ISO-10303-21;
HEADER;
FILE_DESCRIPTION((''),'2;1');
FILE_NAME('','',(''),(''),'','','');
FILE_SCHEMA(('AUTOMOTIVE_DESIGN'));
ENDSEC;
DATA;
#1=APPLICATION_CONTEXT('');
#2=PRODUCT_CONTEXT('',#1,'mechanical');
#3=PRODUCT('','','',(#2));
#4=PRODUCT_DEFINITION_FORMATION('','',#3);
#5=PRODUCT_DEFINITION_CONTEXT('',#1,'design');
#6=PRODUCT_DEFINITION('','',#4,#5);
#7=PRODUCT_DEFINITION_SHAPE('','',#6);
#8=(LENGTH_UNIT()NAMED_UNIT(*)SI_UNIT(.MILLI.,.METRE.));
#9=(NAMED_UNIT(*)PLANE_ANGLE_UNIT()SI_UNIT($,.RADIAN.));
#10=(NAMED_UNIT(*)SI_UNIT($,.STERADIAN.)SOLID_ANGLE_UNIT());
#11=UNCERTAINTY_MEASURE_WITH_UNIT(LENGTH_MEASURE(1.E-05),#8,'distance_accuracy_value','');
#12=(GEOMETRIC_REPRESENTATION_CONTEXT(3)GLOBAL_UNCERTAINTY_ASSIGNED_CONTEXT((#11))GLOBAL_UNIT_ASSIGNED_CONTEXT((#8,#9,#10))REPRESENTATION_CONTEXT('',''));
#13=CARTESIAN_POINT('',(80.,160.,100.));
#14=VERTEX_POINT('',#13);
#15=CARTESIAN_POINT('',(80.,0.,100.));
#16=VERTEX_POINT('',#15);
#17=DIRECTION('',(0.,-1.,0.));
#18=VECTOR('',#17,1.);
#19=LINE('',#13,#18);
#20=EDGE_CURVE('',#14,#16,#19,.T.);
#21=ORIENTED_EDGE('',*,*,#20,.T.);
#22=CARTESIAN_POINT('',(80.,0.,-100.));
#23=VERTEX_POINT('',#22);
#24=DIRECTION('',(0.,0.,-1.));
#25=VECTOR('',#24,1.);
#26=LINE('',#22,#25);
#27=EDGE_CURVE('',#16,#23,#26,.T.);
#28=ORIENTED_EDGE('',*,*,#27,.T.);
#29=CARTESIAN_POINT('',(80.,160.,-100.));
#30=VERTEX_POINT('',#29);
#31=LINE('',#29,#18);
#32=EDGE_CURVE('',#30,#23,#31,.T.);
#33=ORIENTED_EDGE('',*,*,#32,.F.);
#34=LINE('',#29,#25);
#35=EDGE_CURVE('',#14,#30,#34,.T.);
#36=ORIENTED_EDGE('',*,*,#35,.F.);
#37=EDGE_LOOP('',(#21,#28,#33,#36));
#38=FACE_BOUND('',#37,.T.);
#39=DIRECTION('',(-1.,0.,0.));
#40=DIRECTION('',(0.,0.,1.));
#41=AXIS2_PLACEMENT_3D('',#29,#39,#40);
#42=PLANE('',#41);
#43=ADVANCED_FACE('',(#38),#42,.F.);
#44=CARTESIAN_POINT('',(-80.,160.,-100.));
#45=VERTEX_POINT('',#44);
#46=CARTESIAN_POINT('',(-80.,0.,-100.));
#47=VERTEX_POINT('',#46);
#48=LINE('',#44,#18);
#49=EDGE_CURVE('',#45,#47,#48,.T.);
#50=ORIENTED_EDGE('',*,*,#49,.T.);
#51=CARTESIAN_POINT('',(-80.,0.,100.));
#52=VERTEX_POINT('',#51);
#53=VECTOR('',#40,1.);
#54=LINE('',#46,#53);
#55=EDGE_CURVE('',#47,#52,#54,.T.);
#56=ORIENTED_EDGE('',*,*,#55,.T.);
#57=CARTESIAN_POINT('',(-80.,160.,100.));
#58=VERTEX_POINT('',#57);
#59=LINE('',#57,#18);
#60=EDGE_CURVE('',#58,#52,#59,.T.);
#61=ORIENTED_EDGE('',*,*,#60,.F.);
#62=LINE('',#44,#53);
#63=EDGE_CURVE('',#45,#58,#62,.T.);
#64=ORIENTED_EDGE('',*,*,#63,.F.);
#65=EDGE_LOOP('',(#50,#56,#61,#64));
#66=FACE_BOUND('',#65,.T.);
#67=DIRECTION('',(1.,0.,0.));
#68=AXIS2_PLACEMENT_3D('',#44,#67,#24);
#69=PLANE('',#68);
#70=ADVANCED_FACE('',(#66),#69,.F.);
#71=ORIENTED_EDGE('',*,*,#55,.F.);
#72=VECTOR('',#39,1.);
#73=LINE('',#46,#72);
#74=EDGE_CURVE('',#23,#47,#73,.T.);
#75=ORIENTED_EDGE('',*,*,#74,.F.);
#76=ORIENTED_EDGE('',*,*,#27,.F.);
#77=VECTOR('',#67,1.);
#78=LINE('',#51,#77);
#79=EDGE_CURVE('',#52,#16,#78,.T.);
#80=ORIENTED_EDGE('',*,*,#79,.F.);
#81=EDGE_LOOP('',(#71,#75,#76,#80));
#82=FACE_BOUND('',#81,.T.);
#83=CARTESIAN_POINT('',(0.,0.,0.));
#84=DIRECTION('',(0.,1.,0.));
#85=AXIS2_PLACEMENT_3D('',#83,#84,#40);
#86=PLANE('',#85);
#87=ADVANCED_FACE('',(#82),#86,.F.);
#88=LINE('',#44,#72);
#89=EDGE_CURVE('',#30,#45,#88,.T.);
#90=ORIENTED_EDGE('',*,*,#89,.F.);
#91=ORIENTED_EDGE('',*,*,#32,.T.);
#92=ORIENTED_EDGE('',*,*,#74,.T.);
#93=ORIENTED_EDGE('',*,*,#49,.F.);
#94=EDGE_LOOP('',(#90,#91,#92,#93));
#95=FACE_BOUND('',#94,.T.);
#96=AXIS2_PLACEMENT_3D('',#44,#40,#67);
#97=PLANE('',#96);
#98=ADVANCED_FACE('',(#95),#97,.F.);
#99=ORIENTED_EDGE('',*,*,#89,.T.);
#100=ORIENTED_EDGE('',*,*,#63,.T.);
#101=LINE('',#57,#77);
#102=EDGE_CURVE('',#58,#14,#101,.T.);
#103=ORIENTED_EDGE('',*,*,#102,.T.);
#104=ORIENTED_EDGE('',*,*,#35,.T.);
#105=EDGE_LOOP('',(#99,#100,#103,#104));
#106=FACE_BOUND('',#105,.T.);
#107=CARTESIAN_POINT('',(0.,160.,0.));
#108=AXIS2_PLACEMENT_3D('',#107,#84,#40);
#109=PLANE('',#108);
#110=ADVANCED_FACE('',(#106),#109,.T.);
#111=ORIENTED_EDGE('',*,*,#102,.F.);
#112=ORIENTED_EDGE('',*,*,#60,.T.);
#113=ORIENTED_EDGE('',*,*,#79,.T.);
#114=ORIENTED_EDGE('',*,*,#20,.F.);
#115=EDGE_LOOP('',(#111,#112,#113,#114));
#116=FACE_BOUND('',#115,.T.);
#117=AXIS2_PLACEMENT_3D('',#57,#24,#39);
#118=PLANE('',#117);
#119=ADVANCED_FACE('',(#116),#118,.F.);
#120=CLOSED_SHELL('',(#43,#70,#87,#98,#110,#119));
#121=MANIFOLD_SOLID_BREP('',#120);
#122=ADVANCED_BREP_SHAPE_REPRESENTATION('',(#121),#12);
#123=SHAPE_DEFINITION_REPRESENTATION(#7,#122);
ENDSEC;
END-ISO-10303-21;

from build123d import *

# Parameters (mm, degrees)
SKETCH_1_W        = 160
SKETCH_1_H        = 200
EXTRUDE_267_DEPTH = 160


with BuildPart() as part:
    # 草圖1 → Extrude 267 (new body)
    with BuildSketch(Plane(origin=(0, 0, 0), x_dir=(1, 0, 0), z_dir=(0, 1, 0))):
        Rectangle(SKETCH_1_W, SKETCH_1_H)
    extrude(amount=EXTRUDE_267_DEPTH)


solid = part.part
